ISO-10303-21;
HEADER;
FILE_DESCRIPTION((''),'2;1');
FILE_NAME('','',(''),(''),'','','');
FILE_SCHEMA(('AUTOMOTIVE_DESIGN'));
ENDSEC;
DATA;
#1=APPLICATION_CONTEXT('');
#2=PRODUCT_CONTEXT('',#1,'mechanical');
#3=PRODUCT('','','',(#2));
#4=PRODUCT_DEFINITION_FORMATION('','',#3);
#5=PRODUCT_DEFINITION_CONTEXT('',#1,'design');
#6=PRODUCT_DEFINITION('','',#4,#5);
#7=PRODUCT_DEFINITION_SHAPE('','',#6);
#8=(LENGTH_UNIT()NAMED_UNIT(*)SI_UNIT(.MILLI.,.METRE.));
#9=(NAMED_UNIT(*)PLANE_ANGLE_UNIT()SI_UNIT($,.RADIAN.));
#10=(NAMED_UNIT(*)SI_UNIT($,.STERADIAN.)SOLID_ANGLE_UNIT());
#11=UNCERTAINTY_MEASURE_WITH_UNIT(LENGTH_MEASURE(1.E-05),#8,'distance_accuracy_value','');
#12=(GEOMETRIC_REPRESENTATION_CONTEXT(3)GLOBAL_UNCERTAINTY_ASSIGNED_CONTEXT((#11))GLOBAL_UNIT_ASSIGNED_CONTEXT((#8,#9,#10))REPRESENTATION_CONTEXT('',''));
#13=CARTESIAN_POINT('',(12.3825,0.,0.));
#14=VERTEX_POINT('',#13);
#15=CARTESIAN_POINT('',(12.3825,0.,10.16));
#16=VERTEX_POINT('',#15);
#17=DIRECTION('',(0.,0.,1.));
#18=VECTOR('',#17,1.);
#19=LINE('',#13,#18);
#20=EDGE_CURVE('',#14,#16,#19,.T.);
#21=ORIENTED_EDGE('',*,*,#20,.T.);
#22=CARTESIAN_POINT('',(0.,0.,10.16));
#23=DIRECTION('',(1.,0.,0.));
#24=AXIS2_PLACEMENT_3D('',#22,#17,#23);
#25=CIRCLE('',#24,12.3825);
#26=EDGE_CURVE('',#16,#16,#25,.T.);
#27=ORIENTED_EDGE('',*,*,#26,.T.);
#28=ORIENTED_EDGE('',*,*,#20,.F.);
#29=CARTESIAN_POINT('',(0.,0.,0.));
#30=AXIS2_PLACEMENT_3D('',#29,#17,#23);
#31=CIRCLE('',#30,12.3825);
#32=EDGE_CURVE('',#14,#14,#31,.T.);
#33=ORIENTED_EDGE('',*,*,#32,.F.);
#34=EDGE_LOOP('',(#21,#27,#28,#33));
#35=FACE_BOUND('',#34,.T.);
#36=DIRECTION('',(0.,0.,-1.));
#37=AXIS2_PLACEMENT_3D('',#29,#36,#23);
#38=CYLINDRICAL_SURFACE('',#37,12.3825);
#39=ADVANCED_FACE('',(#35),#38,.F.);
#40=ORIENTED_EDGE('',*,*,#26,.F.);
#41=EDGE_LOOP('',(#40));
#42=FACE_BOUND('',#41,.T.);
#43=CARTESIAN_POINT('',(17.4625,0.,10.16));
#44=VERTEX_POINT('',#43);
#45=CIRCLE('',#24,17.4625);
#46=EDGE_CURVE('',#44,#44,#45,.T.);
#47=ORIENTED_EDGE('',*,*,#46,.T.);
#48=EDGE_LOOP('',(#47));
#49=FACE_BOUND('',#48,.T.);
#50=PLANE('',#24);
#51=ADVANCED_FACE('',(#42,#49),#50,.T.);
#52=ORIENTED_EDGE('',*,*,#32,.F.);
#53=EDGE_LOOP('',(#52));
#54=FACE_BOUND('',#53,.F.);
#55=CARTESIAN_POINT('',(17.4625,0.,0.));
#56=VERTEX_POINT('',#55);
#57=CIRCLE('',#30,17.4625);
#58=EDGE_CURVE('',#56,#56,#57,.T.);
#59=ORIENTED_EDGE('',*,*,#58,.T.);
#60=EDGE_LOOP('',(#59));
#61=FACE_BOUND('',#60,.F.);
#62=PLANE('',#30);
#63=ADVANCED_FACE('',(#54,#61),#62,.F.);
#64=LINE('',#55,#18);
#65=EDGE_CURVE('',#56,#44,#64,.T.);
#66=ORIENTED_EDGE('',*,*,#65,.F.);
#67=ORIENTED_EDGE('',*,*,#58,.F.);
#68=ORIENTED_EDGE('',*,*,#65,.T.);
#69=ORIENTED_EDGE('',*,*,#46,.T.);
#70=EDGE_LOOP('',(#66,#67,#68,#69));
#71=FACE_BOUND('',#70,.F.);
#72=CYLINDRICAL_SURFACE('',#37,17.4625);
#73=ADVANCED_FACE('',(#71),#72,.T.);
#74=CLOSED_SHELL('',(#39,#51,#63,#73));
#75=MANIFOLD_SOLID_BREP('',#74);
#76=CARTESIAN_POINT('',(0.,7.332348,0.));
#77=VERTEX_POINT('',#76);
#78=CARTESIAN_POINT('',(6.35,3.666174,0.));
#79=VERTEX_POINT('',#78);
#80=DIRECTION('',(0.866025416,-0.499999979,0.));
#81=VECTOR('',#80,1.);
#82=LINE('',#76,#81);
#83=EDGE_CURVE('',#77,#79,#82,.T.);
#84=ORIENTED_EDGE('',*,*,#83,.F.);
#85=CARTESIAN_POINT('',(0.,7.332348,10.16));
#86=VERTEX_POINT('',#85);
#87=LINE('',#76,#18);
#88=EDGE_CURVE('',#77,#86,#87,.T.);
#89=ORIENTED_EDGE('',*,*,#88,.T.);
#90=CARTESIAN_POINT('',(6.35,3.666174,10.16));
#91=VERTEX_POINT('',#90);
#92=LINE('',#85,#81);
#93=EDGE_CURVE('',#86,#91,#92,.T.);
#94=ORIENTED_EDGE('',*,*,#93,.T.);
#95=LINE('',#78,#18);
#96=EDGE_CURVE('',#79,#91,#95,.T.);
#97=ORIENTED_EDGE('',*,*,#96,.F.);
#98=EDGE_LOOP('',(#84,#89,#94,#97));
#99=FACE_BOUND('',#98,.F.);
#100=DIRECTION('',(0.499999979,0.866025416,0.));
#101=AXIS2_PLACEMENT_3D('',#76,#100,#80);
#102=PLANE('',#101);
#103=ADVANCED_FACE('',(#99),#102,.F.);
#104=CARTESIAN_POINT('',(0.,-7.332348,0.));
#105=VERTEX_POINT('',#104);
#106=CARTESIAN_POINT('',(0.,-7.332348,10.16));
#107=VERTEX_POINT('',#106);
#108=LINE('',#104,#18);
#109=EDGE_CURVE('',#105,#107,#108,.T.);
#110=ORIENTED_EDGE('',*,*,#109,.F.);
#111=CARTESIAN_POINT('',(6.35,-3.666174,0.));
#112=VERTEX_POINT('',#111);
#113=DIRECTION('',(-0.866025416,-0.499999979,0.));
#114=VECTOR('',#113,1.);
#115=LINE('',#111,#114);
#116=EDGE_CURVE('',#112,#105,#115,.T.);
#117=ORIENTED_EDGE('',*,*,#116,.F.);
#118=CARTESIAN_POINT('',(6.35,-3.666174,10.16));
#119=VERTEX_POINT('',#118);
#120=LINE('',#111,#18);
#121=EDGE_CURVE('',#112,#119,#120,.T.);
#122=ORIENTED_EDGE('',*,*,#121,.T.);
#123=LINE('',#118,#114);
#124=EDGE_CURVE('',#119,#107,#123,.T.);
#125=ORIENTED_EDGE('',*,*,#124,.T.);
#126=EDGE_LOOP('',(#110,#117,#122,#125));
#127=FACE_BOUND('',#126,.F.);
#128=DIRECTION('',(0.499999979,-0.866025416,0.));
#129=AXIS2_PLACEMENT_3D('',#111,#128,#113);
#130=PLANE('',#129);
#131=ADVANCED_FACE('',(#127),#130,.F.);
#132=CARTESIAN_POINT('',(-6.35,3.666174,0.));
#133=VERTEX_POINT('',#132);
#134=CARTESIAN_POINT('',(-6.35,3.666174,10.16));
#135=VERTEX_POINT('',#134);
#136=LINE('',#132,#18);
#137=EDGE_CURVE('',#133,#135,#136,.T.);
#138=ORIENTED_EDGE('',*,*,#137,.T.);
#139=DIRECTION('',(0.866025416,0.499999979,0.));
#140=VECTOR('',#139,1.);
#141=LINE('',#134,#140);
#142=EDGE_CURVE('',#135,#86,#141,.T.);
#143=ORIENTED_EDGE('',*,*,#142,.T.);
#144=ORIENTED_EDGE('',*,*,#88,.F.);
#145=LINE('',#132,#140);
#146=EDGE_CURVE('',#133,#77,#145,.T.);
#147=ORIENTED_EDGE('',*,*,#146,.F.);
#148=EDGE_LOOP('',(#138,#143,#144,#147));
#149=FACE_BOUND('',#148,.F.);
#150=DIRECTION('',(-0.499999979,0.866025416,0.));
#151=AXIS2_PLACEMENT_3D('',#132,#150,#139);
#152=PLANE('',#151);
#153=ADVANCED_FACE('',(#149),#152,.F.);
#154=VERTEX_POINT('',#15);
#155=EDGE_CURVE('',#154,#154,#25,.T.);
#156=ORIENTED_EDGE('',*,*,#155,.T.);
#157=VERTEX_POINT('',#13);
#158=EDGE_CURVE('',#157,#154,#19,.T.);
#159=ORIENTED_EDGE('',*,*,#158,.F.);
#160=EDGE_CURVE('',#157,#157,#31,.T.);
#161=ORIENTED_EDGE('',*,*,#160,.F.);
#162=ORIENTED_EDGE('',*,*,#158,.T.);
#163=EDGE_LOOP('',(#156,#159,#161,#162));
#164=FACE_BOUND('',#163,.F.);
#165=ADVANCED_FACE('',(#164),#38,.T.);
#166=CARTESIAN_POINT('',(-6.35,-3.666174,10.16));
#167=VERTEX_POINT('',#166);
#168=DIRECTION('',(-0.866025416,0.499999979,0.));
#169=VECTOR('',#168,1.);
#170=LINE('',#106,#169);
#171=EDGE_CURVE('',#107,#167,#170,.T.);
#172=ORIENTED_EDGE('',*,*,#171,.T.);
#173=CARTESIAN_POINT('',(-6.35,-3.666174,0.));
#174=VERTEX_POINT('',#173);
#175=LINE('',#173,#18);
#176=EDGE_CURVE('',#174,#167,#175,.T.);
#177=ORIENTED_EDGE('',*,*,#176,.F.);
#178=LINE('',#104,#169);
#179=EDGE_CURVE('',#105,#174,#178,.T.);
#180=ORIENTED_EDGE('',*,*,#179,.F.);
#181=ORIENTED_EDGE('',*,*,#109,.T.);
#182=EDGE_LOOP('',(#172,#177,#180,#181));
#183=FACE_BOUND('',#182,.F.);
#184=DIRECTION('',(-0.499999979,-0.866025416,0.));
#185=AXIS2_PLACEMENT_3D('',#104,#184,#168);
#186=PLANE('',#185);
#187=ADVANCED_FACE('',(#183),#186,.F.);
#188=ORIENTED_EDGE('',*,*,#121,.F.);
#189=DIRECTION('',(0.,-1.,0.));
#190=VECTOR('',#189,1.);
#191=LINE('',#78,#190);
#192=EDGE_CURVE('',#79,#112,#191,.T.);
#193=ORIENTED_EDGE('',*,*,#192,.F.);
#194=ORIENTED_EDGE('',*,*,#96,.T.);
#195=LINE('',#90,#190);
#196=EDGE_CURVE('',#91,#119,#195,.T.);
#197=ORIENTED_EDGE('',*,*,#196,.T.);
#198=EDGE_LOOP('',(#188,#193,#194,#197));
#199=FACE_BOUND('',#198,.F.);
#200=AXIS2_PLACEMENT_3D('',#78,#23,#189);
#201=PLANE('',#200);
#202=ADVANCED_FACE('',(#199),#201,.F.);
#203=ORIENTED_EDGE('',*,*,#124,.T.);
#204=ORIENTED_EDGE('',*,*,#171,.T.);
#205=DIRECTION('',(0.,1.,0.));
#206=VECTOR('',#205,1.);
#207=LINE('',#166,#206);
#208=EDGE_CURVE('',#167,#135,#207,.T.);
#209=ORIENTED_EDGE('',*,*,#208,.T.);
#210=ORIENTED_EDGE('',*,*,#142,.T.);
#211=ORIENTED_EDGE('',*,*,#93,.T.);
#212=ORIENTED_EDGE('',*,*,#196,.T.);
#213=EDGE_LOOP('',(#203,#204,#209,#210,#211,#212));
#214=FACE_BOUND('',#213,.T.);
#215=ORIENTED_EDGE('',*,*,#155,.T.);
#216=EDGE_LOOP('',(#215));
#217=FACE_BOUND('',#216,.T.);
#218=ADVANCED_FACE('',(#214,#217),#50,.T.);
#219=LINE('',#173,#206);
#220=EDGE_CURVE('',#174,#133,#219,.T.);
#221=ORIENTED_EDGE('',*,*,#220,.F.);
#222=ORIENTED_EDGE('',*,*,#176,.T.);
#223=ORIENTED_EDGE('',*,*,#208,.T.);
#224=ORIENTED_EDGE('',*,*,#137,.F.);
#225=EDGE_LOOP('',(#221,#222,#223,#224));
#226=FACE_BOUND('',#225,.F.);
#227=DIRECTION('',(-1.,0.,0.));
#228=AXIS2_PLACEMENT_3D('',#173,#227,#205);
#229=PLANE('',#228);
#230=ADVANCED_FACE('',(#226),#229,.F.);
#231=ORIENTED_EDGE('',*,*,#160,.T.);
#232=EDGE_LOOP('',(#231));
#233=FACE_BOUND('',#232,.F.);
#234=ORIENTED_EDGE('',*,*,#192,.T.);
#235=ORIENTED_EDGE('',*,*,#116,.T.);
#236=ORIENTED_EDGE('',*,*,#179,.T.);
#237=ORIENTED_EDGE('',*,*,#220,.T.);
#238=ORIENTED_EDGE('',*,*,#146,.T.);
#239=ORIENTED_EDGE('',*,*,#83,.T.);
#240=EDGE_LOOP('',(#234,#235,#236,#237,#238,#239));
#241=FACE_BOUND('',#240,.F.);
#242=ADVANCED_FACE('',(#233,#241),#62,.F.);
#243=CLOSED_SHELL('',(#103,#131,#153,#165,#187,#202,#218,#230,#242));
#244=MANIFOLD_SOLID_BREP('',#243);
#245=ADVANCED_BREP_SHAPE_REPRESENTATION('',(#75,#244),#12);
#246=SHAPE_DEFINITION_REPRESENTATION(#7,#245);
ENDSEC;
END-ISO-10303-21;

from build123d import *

# Parameters (mm, degrees)
F0_R     = 17.4625
F0_R_2   = 12.3825
F1_DEPTH = 10.16
F2_R     = 12.3825
F3_DEPTH = 10.16


with BuildPart() as f1:
    # F0 (on Top) → F1 (new body)
    with BuildSketch(Plane.XY):
        Circle(F0_R)
        Circle(F0_R_2, mode=Mode.SUBTRACT)
    extrude(amount=F1_DEPTH)


with BuildPart() as f3:
    # F2 (on Top) → F3 (new body)
    with BuildSketch(Plane.XY):
        Circle(F2_R)
        Polygon((-6.35, 3.666174), (0, 7.332348), (6.35, 3.666174), (6.35, -3.666174), (0, -7.332348), (-6.35, -3.666174), align=None, mode=Mode.SUBTRACT)
    extrude(amount=F3_DEPTH)


solid = Compound([f1.part, f3.part])
